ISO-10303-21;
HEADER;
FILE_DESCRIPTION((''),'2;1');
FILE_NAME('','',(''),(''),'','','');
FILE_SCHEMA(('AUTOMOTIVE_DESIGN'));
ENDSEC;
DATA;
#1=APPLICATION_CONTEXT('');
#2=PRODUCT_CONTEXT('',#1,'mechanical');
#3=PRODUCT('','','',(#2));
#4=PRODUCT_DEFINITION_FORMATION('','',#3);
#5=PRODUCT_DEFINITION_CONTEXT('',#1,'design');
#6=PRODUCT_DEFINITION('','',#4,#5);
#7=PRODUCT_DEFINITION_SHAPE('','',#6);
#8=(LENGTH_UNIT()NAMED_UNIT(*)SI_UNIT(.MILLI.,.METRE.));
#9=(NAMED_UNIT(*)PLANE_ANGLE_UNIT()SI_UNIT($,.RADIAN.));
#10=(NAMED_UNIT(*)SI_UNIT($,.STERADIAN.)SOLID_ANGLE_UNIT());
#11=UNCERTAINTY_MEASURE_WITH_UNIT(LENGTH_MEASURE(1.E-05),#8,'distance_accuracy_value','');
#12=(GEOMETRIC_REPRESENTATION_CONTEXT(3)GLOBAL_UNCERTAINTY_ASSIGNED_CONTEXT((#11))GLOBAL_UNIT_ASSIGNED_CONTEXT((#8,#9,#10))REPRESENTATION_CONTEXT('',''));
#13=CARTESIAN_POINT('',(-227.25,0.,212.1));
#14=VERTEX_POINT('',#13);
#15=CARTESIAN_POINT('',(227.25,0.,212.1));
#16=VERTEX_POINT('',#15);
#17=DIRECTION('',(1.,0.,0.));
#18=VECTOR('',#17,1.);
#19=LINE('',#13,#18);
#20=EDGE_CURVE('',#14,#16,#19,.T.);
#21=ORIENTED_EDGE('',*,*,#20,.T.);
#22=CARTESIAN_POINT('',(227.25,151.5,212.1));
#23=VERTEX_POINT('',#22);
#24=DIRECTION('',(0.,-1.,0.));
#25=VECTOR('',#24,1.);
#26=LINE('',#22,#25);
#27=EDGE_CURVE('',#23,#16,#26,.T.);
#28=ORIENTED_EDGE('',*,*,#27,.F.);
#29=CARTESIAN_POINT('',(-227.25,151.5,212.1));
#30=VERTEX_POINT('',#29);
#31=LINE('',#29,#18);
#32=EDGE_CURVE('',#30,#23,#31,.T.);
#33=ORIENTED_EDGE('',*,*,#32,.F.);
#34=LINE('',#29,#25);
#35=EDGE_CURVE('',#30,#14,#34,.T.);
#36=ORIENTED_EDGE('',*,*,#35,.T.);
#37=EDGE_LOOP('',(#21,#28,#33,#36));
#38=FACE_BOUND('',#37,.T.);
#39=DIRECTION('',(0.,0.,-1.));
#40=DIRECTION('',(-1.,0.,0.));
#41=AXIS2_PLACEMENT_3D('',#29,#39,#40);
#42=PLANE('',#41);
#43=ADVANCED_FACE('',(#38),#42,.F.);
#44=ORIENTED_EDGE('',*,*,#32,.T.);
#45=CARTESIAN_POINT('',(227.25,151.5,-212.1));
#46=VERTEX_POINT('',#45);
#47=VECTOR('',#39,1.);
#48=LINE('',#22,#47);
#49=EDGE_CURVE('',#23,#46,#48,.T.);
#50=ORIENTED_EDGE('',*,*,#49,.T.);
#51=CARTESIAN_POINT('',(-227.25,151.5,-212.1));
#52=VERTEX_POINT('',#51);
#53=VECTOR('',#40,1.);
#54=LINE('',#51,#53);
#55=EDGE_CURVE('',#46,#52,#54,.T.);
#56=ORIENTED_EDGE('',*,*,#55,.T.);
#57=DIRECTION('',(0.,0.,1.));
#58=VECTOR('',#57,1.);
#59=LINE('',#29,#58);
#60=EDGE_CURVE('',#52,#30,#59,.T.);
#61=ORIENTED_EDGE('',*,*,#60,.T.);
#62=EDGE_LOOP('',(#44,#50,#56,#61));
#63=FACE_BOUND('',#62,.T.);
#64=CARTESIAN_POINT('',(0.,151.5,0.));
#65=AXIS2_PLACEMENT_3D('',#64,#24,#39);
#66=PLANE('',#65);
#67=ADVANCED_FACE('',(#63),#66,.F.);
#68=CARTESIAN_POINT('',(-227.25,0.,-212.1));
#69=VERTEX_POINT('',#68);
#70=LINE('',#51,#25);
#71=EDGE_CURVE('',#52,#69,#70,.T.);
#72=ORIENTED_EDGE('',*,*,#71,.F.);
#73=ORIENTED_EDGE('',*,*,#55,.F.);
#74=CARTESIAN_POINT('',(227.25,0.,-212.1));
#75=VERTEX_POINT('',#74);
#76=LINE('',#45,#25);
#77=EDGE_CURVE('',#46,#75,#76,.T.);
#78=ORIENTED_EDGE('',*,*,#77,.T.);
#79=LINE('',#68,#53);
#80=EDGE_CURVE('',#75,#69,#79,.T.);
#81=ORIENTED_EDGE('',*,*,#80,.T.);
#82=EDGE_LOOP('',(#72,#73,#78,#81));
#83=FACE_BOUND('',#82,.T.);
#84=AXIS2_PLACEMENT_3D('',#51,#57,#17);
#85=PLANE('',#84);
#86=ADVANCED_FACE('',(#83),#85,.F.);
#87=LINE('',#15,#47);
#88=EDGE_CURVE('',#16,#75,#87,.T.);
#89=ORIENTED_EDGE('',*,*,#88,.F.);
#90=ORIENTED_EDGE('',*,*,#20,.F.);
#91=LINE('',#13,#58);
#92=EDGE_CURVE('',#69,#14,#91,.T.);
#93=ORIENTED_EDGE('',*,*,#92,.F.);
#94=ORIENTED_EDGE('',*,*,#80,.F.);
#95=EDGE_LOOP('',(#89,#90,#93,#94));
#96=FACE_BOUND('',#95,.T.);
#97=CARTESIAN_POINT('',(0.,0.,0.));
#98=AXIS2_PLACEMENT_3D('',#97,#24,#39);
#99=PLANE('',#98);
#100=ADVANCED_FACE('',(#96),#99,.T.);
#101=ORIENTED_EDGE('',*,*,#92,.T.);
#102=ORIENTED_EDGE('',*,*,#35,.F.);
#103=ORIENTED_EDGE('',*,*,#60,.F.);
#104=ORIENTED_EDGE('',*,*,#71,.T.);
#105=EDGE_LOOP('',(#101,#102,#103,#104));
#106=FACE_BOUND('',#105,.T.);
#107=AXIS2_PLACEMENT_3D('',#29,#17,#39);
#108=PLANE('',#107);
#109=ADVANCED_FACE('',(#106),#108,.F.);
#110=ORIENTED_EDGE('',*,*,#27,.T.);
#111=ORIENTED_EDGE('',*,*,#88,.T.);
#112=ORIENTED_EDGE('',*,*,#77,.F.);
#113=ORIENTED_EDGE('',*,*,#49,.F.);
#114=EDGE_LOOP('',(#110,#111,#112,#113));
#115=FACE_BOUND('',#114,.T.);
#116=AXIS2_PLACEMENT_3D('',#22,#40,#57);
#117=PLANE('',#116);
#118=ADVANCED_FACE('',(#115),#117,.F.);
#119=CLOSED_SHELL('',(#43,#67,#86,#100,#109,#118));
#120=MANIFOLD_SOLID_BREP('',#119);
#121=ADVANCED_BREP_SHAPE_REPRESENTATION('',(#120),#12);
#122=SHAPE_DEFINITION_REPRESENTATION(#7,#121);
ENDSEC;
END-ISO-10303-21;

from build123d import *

# Parameters (mm, degrees)
SKETCH1_W           = 454.5
SKETCH1_H           = 424.2
BOSS_EXTRUDE1_DEPTH = 151.5


with BuildPart() as part:
    # Sketch1 → Boss-Extrude1 (new body)
    with BuildSketch(Plane(origin=(0, 0, 0), x_dir=(1, 0, 0), z_dir=(0, 1, 0))):
        Rectangle(SKETCH1_W, SKETCH1_H)
    extrude(amount=BOSS_EXTRUDE1_DEPTH)


solid = part.part
